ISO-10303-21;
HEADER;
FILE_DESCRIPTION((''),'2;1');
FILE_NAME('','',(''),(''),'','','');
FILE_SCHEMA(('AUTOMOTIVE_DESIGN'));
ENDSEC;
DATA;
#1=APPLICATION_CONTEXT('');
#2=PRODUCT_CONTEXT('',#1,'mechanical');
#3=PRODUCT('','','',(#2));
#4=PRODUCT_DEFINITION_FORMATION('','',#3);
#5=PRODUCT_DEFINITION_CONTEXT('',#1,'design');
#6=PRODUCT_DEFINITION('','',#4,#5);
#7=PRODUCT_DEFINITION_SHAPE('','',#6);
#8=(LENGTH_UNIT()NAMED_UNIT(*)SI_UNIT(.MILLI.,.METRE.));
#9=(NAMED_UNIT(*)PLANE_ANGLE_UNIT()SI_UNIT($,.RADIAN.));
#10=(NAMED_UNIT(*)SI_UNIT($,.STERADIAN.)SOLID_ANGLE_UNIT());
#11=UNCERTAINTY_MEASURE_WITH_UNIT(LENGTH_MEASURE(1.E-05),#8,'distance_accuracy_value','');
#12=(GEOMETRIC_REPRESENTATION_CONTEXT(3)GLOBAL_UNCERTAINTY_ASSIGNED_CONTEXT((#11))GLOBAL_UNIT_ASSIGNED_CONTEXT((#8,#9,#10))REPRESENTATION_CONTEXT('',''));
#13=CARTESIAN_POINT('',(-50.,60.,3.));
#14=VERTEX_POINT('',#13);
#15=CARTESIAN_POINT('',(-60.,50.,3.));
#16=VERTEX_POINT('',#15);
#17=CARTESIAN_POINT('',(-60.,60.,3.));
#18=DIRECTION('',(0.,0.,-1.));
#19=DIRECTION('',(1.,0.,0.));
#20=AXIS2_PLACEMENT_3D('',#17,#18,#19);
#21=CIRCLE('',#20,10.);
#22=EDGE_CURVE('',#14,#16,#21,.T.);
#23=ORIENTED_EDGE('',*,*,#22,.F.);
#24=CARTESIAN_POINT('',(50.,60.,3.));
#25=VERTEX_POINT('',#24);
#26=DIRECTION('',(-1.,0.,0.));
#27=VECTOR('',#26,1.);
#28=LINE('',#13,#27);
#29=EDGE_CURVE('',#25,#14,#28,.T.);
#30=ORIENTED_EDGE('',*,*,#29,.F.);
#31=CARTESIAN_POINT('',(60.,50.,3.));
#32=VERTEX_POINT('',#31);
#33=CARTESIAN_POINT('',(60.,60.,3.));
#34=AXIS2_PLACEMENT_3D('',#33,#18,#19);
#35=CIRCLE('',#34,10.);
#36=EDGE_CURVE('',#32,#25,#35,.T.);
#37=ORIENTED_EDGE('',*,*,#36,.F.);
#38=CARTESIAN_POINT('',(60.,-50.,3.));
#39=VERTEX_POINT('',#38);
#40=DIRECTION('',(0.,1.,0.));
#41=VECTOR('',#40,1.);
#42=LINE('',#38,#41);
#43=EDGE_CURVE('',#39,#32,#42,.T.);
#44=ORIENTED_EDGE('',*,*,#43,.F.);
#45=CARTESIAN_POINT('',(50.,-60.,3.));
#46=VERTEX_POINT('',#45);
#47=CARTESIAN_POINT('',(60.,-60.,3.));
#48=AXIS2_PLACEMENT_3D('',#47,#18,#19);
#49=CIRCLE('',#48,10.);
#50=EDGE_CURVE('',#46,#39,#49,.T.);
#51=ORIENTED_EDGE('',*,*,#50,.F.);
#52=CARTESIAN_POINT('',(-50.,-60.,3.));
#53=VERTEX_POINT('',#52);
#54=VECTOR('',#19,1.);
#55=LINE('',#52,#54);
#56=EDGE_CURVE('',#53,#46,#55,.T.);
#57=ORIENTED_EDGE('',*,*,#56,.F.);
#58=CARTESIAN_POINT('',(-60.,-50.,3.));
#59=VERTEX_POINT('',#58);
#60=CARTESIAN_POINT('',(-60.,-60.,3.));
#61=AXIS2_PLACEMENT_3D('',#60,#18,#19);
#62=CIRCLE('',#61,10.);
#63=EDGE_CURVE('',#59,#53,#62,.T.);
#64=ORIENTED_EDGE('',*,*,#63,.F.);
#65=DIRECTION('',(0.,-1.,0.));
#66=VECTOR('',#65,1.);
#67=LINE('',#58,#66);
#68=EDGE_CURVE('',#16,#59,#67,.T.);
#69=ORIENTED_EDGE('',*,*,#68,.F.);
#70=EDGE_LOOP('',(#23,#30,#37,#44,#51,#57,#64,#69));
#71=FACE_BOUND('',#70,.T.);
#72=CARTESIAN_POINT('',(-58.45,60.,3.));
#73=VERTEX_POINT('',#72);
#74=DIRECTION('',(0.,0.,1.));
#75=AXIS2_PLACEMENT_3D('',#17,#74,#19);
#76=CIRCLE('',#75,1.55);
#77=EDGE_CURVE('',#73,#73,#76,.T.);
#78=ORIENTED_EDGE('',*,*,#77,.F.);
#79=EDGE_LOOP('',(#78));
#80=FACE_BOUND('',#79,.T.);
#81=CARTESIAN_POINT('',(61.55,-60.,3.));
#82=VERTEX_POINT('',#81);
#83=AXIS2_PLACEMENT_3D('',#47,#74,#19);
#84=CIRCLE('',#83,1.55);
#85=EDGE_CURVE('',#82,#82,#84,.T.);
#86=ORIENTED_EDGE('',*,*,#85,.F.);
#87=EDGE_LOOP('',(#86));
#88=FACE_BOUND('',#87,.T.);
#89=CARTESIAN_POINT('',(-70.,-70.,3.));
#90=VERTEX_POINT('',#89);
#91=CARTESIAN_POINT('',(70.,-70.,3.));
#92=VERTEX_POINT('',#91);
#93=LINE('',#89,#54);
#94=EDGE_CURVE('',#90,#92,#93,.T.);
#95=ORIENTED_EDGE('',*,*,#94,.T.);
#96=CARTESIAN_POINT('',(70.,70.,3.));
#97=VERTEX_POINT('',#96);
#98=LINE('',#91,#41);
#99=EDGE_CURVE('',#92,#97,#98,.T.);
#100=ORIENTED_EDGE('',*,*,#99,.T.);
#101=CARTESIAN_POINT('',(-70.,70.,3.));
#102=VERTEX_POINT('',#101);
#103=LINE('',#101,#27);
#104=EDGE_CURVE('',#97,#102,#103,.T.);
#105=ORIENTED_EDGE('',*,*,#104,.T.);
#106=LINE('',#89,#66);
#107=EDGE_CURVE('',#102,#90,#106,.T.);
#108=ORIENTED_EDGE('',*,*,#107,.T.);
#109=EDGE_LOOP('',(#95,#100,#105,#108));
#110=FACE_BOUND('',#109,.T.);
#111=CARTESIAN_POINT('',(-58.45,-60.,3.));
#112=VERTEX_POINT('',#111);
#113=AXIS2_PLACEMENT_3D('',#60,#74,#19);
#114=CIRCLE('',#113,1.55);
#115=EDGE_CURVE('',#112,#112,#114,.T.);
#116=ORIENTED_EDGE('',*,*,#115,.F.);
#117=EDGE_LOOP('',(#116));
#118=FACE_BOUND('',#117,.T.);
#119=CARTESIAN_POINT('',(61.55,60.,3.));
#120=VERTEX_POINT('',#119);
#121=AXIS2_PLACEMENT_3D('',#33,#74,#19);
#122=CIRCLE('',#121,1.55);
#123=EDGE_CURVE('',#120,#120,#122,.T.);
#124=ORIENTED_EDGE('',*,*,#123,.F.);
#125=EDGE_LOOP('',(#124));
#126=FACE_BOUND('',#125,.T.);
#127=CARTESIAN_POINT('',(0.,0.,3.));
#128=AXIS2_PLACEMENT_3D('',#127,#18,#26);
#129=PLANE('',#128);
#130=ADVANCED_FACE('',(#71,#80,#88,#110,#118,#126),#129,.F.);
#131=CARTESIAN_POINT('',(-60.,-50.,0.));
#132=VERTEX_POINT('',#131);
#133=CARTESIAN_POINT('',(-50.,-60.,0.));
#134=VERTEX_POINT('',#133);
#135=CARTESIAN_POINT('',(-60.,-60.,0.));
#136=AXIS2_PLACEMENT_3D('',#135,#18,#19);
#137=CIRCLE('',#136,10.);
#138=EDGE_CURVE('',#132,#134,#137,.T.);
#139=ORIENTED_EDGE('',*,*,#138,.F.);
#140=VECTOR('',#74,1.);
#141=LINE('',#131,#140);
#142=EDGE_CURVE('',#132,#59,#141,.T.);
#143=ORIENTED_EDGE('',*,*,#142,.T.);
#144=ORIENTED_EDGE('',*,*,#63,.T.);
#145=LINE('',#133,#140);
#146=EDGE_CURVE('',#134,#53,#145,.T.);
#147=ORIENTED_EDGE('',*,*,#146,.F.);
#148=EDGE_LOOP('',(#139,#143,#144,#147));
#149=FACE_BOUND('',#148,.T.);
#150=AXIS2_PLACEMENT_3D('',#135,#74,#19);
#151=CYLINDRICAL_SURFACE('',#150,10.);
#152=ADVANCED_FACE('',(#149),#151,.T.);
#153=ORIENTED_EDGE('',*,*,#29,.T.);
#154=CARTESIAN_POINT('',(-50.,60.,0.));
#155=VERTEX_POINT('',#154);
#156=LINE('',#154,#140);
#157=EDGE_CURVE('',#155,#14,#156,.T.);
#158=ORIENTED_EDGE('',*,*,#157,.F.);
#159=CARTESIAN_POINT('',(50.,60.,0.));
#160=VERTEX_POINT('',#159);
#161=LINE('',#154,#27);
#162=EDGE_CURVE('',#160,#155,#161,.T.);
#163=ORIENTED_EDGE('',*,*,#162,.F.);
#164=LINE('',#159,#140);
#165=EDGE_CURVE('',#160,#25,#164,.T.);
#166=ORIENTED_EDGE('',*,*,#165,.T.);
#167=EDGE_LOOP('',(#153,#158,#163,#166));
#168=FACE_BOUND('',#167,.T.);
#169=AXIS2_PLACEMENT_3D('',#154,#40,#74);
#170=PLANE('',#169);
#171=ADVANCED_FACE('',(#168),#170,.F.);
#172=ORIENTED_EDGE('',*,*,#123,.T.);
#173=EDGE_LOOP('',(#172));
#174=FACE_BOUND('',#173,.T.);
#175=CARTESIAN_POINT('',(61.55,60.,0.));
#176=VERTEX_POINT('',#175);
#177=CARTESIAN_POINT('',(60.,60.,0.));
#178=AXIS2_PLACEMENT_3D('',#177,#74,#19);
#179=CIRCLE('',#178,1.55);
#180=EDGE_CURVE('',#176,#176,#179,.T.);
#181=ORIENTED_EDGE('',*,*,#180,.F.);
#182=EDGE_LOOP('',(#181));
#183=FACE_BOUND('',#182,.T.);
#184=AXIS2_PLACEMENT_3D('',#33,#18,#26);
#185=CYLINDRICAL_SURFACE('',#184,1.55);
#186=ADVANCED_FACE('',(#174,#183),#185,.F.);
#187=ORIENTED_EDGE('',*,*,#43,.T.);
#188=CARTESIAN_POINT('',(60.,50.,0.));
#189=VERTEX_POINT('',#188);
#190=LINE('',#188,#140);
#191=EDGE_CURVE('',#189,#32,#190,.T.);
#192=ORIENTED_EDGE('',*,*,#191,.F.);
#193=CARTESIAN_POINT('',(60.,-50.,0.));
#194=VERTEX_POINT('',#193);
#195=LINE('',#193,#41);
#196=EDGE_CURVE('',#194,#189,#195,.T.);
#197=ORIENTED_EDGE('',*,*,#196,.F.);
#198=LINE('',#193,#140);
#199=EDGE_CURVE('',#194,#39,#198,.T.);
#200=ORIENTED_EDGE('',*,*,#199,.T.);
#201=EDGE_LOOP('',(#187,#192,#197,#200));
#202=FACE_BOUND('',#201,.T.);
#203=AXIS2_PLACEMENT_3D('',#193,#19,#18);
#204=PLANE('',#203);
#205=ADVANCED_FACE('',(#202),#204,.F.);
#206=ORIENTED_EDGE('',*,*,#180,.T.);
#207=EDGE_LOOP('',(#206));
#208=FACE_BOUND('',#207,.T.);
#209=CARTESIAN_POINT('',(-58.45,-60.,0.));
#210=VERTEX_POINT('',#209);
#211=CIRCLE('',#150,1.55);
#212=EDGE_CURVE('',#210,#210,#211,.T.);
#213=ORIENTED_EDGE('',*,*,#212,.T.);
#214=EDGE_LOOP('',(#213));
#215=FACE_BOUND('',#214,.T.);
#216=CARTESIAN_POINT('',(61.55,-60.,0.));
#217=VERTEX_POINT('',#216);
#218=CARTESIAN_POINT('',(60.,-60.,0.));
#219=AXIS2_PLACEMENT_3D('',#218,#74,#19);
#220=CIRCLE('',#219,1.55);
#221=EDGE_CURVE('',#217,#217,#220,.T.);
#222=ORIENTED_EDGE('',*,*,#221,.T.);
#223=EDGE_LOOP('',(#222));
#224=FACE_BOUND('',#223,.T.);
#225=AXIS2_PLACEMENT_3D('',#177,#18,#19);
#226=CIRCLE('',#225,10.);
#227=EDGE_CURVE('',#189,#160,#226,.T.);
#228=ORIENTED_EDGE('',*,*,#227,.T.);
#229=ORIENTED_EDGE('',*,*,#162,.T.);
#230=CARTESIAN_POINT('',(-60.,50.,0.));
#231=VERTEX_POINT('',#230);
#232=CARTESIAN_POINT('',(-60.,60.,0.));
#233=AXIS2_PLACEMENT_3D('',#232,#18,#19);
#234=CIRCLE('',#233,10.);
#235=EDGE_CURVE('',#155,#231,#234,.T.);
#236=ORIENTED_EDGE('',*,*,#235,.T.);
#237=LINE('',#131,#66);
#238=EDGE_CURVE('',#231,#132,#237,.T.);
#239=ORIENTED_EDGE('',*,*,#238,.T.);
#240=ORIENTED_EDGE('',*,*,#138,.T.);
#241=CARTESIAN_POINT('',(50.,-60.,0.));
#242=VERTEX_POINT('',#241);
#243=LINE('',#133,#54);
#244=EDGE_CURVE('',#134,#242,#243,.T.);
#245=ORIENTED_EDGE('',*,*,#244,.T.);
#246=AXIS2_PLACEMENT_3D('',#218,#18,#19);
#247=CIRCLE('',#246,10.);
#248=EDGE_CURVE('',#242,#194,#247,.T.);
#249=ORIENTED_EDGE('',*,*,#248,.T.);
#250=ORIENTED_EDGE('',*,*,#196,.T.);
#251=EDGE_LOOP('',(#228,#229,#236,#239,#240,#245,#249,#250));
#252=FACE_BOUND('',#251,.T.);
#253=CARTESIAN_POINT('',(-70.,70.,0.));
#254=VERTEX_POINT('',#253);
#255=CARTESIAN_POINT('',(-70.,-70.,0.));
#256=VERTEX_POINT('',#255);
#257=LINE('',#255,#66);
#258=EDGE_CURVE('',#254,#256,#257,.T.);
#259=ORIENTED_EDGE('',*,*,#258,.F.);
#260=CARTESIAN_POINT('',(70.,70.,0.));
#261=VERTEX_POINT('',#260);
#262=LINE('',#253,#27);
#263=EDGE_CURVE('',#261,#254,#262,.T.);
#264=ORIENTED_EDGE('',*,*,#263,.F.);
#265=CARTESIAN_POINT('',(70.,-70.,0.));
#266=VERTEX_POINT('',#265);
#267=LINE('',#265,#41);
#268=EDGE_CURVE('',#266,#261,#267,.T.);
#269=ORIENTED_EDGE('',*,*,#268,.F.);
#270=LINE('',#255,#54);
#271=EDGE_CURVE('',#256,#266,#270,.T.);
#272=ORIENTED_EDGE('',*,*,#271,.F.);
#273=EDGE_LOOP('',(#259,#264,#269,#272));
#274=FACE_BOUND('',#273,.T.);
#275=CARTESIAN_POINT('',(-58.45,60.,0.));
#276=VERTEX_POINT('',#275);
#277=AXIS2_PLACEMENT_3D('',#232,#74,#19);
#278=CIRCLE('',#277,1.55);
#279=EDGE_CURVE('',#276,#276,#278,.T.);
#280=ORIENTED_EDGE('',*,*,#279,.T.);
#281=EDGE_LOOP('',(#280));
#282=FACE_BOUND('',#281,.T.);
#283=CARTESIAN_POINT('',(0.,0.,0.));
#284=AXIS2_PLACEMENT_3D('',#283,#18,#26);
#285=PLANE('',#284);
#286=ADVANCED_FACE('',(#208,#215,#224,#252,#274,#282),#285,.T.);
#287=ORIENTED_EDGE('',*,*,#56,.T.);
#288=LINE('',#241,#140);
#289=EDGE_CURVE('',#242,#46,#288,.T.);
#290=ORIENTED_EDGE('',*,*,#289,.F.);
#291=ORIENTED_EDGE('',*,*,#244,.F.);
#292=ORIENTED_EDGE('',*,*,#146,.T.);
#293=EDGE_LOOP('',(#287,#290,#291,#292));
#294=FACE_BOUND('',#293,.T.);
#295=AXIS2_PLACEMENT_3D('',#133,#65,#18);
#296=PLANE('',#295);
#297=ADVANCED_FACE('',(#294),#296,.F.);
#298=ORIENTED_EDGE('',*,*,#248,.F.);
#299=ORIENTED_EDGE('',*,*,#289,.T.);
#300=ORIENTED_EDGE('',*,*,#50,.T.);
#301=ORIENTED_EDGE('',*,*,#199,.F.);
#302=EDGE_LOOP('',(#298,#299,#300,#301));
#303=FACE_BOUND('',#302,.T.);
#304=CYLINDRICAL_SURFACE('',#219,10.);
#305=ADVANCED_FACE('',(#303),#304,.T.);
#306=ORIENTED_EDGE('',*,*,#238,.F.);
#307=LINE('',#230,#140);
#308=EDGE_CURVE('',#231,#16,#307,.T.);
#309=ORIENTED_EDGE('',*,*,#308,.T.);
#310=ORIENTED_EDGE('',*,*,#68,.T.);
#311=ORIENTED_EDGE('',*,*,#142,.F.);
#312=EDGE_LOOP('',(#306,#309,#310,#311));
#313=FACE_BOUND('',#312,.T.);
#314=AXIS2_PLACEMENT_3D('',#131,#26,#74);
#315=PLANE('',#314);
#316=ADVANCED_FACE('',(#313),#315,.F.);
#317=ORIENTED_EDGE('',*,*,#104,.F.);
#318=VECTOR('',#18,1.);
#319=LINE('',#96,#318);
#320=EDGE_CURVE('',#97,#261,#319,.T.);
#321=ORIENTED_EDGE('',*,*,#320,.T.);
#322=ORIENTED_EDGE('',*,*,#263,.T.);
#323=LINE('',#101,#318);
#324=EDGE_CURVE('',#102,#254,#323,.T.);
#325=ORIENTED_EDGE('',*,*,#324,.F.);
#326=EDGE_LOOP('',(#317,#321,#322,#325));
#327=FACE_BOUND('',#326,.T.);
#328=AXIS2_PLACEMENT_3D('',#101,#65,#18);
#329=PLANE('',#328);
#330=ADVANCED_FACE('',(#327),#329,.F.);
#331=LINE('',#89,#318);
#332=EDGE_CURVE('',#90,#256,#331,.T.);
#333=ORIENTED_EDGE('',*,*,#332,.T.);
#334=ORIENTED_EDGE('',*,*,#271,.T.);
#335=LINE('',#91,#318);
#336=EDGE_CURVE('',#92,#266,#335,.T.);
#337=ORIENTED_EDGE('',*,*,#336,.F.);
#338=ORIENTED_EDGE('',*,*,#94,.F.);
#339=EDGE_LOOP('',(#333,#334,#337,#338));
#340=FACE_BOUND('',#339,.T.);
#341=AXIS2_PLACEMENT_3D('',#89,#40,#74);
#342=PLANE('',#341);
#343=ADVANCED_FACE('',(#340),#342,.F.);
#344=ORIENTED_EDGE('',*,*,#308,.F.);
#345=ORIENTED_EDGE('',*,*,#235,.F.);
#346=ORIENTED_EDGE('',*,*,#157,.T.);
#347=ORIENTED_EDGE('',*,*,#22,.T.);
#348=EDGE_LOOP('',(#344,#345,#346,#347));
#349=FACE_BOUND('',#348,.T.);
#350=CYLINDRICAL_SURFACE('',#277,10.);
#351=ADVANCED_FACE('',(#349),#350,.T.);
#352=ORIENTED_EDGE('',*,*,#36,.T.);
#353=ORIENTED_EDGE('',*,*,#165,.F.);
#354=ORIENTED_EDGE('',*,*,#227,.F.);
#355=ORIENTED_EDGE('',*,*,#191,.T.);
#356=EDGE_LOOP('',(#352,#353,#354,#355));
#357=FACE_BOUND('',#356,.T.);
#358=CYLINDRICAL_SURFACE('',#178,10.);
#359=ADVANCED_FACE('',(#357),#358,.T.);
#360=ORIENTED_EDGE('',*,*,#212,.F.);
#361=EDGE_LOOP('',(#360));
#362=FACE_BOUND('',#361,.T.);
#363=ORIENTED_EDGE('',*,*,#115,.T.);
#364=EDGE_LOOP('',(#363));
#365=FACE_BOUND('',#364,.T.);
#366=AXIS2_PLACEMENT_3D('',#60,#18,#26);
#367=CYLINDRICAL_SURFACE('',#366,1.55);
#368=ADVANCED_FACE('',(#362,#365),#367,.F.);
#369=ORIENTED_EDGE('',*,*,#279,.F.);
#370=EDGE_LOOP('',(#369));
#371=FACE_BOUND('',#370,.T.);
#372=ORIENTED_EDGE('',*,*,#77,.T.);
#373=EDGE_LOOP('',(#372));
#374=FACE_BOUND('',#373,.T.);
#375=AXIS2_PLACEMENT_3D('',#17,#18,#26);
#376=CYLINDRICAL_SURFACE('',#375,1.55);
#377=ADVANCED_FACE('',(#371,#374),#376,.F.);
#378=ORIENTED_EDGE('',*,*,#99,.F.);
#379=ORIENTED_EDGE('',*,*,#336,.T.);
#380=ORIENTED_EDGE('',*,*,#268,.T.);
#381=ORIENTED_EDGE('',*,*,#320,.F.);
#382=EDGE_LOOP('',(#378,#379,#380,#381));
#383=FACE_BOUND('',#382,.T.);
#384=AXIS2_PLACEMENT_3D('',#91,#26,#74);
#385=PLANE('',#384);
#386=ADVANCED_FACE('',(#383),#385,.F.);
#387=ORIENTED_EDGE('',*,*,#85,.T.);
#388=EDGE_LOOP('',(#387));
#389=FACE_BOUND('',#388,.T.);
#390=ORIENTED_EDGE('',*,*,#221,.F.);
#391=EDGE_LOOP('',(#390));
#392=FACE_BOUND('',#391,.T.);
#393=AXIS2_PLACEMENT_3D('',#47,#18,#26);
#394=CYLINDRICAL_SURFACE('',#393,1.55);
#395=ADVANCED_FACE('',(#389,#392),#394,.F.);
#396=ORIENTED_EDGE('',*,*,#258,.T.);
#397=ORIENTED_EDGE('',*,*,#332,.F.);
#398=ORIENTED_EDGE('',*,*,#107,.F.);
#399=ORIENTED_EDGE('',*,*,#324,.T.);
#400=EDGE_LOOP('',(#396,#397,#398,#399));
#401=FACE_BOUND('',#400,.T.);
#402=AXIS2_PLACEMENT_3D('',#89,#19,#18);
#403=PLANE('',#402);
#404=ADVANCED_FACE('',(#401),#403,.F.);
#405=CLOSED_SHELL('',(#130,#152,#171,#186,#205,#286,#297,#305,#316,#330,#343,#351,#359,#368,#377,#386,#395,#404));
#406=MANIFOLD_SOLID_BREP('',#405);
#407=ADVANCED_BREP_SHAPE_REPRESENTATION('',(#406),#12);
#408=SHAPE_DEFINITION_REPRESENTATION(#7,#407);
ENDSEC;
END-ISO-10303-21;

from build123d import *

# Parameters (mm, degrees)
SKETCH_1_W          = 140
SKETCH_1_H          = 140
SKETCH_1_R          = 1.55
EXTRUDE_1_DEPTH     = 3
CUT_EXTRUDE_1_DEPTH = 100.040395799


with BuildPart() as part:
    # 草圖1 → 填料-伸長1 (new body)
    with BuildSketch(Plane.XY):
        Rectangle(SKETCH_1_W, SKETCH_1_H)
        with Locations((-60, 60)):
            Circle(SKETCH_1_R, mode=Mode.SUBTRACT)
        with Locations((60, 60)):
            Circle(SKETCH_1_R, mode=Mode.SUBTRACT)
        with Locations((60, -60)):
            Circle(SKETCH_1_R, mode=Mode.SUBTRACT)
        with Locations((-60, -60)):
            Circle(SKETCH_1_R, mode=Mode.SUBTRACT)
    extrude(amount=EXTRUDE_1_DEPTH)

    # 草圖2 → 除料-伸長1 (cut, through all)
    with BuildSketch(Plane.XY.offset(3)):
        with BuildLine():
            Line((-50, -60), (50, -60))
            ThreePointArc((50, -60), (52.928932188, -52.928932188), (60, -50))
            Line((60, -50), (60, 50))
            ThreePointArc((60, 50), (52.928932188, 52.928932188), (50, 60))
            Line((50, 60), (-50, 60))
            ThreePointArc((-50, 60), (-52.928932188, 52.928932188), (-60, 50))
            Line((-60, 50), (-60, -50))
            ThreePointArc((-60, -50), (-52.928932188, -52.928932188), (-50, -60))
        make_face()
    extrude(amount=-CUT_EXTRUDE_1_DEPTH, mode=Mode.SUBTRACT)


solid = part.part
